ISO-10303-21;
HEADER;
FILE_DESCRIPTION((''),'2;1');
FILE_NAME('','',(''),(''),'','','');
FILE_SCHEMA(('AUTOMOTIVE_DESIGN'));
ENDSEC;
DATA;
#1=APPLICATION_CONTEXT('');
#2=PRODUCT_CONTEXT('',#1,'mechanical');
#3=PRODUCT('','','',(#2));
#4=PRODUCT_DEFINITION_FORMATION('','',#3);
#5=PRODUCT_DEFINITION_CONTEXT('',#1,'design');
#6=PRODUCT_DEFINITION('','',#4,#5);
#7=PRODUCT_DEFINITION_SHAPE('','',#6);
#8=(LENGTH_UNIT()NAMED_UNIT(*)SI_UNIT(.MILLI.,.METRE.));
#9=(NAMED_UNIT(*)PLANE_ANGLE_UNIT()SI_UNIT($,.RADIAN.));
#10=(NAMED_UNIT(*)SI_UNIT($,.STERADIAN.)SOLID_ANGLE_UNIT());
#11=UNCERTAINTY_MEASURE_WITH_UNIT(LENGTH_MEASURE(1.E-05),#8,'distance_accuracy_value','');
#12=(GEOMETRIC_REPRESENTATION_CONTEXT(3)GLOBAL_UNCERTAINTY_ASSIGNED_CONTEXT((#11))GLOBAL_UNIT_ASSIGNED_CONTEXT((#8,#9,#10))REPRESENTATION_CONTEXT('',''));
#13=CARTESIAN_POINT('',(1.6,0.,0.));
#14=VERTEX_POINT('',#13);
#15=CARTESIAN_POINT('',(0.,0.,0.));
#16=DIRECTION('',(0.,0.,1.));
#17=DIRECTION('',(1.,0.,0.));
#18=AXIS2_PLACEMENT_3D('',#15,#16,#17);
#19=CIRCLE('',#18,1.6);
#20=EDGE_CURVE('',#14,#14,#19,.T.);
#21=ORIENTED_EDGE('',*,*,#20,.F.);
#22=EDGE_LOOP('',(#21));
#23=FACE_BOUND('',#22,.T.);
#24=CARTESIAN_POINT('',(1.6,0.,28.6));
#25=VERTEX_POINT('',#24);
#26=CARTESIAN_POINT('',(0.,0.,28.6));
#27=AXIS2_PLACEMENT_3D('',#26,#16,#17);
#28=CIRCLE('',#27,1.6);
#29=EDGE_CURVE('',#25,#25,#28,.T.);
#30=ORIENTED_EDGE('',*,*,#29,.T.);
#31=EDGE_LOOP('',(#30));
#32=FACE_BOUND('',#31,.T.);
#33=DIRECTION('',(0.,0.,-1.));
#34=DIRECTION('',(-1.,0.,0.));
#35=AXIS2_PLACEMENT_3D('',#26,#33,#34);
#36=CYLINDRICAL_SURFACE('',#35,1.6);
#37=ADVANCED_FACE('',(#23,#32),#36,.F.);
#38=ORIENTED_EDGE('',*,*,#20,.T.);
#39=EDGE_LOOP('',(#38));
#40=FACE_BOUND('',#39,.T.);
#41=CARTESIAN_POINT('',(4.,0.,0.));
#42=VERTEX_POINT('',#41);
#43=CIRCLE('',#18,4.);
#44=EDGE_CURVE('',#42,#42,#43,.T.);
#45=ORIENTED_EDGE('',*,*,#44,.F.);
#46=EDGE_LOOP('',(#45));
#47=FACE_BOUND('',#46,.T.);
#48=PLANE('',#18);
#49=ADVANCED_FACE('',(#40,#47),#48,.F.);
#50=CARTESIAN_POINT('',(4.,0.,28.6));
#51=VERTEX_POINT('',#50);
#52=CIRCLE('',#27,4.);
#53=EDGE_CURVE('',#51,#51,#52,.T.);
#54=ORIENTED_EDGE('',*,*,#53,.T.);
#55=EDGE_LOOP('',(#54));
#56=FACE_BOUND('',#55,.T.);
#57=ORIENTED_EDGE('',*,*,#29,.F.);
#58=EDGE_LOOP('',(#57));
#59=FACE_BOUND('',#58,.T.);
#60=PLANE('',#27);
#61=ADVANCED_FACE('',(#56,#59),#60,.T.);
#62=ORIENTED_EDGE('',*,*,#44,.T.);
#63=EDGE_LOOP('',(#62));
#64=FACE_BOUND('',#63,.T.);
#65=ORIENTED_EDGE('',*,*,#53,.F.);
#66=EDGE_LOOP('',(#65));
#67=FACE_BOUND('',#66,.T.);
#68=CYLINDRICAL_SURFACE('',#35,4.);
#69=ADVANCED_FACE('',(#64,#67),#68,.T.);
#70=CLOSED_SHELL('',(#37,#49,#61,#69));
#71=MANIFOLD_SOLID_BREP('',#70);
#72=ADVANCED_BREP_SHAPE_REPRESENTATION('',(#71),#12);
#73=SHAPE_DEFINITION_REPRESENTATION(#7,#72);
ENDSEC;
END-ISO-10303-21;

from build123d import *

# Parameters (mm, degrees)
STANDOFF_OD8_ID3P2_PROFILE_R   = 4
STANDOFF_OD8_ID3P2_PROFILE_R_2 = 1.6
STANDOFF_OD8_ID3P2_DEPTH       = 28.6


with BuildPart() as part:
    # Standoff_OD8_ID3p2_profile → Standoff_OD8_ID3p2 (new body)
    with BuildSketch(Plane.XY):
        Circle(STANDOFF_OD8_ID3P2_PROFILE_R)
        Circle(STANDOFF_OD8_ID3P2_PROFILE_R_2, mode=Mode.SUBTRACT)
    extrude(amount=STANDOFF_OD8_ID3P2_DEPTH)


solid = part.part
